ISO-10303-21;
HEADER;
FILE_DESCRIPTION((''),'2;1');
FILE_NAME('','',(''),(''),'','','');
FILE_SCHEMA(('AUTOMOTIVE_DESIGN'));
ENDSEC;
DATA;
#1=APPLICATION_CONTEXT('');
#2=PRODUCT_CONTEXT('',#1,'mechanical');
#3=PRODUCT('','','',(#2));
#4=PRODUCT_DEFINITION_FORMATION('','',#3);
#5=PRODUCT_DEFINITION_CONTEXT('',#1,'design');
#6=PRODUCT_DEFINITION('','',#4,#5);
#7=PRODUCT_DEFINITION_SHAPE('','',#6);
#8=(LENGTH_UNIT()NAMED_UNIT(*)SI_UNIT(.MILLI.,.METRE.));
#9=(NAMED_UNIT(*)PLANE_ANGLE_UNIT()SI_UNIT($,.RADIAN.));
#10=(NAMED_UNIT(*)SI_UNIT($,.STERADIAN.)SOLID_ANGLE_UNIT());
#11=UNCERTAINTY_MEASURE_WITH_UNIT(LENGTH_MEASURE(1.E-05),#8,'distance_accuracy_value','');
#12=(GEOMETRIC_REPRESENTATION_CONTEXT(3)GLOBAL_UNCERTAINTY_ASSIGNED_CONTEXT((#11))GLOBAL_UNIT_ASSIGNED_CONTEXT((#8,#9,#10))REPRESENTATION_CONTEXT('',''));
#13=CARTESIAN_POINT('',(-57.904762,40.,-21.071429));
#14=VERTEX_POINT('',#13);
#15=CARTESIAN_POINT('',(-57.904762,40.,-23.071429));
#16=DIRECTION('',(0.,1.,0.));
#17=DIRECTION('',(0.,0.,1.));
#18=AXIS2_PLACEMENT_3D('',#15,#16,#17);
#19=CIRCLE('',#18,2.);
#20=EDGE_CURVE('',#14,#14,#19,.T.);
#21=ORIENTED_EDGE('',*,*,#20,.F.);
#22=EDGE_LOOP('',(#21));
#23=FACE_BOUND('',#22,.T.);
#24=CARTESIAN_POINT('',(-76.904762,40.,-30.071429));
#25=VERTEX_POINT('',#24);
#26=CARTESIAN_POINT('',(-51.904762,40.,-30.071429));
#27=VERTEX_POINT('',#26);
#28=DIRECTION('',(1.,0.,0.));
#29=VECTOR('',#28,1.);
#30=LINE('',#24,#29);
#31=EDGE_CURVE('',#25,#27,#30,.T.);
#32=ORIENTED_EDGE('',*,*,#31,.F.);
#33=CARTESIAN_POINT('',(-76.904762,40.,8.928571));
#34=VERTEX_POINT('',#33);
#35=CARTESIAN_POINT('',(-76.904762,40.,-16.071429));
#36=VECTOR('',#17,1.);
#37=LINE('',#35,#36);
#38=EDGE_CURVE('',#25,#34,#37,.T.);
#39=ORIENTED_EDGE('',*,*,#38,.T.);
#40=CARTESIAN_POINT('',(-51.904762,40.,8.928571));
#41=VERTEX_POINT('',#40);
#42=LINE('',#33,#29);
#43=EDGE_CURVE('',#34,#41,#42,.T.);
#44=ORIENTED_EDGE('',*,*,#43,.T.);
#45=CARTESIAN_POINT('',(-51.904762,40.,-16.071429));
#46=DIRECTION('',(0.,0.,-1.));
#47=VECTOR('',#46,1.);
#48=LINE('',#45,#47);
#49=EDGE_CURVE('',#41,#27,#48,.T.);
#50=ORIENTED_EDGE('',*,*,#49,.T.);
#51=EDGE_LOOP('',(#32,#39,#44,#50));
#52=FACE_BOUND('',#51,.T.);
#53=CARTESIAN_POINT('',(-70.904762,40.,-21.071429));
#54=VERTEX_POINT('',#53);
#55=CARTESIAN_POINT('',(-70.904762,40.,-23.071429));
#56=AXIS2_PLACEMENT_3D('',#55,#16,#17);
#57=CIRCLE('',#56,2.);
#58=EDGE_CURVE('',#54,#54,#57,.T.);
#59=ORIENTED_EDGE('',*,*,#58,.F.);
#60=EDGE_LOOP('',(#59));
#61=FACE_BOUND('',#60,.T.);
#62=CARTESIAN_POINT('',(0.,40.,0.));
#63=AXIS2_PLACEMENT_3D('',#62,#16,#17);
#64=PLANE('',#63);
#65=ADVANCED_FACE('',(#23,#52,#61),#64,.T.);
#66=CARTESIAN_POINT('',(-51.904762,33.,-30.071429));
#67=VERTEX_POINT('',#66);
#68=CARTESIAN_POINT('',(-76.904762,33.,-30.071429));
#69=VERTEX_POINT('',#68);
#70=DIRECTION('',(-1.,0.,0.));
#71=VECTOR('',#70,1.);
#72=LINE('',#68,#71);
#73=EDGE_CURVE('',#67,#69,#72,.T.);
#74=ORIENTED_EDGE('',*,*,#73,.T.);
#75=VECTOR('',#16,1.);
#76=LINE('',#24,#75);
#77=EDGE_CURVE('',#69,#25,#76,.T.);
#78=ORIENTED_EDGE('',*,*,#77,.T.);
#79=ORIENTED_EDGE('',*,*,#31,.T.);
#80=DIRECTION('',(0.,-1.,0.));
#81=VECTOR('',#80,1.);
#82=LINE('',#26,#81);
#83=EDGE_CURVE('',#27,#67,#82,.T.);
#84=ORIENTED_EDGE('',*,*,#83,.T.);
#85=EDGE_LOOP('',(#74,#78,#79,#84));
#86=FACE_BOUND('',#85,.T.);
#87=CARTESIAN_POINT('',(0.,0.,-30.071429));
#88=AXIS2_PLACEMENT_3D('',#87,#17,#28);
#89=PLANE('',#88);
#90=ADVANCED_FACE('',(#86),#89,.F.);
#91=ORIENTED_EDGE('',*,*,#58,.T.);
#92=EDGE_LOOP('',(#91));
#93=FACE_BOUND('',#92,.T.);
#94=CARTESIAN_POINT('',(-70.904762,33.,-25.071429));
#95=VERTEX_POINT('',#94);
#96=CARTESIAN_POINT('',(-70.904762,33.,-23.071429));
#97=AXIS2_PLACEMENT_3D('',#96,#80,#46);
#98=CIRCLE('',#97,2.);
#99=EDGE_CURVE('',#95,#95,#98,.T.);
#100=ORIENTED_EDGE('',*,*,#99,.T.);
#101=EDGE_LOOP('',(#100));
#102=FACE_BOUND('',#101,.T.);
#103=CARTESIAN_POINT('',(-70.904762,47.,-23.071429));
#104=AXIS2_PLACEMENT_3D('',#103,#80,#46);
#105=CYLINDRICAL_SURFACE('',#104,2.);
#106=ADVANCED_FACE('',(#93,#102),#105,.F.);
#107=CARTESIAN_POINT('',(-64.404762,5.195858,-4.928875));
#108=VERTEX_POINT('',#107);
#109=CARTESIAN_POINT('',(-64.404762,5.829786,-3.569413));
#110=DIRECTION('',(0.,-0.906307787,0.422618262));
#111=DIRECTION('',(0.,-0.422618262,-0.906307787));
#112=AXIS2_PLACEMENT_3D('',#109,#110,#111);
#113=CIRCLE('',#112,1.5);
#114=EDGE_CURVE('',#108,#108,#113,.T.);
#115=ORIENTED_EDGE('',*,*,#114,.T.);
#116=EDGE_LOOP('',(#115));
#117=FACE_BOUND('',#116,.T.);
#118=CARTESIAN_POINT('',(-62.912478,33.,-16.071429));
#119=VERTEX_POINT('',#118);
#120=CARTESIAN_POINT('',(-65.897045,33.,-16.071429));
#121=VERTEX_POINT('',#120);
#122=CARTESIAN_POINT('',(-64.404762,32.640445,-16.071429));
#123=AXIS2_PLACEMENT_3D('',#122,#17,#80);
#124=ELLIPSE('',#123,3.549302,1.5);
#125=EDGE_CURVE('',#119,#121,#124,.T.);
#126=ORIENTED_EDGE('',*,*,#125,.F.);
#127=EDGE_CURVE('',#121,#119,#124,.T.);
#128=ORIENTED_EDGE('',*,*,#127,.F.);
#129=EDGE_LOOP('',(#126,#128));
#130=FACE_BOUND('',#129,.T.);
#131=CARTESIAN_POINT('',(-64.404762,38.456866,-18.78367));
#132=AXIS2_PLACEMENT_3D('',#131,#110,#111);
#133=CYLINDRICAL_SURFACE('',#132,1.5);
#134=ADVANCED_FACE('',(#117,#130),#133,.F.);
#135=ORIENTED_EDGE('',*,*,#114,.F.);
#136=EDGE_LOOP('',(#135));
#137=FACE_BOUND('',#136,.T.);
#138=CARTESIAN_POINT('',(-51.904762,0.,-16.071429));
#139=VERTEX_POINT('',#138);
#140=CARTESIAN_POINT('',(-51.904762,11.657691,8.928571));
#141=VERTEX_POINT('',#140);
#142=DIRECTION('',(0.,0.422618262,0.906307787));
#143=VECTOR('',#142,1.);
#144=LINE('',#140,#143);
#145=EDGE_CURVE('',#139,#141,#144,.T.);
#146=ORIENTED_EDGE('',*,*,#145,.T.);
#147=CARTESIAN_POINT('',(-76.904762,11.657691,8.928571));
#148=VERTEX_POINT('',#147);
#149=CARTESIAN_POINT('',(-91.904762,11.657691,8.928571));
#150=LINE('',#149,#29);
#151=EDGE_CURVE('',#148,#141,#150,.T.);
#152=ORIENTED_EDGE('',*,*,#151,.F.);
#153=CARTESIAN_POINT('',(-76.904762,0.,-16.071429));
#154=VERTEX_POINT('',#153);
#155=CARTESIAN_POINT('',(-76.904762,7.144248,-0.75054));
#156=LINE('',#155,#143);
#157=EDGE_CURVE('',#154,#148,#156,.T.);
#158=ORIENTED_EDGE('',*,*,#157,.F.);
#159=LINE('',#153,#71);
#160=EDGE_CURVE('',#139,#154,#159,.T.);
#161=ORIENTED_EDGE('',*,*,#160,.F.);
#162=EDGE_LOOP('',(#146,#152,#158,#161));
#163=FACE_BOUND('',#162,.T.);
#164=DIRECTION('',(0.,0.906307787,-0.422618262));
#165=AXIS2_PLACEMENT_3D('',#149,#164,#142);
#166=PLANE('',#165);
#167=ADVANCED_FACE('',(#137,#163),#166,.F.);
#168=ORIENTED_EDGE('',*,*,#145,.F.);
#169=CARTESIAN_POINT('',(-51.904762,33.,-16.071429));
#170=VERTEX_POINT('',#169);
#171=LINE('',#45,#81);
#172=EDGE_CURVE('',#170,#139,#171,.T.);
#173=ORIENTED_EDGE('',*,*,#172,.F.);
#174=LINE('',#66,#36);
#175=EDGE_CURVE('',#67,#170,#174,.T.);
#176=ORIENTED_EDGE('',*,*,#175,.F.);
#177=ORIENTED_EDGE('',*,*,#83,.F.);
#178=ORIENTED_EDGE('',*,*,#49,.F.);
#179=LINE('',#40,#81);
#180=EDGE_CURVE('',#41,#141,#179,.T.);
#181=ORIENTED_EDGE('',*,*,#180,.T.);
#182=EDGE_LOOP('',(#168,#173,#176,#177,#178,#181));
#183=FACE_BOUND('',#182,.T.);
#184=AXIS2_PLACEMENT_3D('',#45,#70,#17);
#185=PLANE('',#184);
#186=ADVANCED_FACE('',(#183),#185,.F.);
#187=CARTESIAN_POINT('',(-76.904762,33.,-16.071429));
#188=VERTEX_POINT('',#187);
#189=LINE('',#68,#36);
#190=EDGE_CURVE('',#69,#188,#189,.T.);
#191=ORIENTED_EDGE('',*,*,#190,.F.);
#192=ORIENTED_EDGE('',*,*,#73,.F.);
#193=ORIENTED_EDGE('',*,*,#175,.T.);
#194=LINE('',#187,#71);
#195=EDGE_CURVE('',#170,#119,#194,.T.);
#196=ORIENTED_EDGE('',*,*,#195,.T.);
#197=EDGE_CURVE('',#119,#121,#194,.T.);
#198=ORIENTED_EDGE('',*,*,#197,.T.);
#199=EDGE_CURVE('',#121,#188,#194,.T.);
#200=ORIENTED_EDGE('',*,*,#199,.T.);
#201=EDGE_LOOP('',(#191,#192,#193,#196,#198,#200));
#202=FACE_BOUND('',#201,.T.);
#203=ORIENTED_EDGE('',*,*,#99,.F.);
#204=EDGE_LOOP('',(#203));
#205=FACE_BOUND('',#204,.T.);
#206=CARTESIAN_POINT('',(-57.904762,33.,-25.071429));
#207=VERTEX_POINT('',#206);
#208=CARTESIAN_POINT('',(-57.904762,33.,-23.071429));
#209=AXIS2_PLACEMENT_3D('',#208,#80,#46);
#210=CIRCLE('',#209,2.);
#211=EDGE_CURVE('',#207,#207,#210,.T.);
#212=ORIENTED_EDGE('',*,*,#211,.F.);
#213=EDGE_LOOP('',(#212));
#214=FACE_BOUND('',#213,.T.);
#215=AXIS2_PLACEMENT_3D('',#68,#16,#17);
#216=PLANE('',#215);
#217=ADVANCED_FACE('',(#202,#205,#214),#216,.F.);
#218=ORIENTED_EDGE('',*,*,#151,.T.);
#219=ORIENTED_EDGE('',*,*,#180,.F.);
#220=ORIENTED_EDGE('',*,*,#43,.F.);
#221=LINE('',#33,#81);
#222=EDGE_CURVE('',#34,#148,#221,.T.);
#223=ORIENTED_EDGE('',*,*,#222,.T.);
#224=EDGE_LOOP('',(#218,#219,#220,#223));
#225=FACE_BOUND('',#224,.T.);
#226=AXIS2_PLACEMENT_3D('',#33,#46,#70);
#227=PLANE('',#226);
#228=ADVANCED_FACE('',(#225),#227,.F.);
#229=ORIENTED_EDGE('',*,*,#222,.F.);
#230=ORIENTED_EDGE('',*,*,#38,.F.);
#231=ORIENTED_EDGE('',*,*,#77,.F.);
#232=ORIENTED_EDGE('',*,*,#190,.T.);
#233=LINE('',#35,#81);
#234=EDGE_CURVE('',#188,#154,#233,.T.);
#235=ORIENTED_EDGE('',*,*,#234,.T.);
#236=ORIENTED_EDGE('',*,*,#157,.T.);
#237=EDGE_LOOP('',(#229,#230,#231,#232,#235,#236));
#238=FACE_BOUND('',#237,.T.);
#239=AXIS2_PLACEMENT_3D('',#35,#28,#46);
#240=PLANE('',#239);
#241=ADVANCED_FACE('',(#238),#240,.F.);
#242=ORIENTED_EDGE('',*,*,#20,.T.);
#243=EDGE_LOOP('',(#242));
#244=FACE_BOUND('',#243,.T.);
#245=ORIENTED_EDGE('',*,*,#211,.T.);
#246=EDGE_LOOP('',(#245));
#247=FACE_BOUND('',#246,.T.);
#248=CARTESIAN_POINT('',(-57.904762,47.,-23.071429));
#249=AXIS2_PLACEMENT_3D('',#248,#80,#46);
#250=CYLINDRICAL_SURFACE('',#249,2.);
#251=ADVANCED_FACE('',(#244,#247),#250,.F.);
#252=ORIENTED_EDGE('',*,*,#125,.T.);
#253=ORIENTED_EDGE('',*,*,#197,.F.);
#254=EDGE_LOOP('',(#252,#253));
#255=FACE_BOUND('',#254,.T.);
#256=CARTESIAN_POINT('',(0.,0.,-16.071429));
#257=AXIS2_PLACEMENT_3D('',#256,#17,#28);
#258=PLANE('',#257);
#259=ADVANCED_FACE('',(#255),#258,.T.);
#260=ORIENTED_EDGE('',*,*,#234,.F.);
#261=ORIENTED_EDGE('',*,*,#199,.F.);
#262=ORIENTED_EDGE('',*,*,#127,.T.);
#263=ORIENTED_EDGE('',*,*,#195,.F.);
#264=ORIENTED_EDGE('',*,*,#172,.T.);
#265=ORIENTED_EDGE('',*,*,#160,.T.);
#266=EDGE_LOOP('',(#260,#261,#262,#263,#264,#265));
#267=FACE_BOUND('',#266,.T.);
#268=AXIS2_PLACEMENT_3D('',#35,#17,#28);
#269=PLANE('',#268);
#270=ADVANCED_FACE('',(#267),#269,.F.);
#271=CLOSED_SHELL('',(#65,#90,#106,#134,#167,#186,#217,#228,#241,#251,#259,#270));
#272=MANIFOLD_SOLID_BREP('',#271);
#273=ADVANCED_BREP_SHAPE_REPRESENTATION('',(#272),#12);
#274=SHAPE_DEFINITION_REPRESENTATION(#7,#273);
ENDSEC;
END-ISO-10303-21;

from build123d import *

# Parameters (mm, degrees)
SKETCH1_W           = 25
SKETCH1_H           = 25
BOSS_EXTRUDE1_DEPTH = 40
CUT_EXTRUDE1_DEPTH  = 40
SKETCH3_R           = 1.5
CUT_EXTRUDE2_DEPTH  = 36
SKETCH4_W           = 25
SKETCH4_H           = 7
BOSS_EXTRUDE2_DEPTH = 14
SKETCH5_R           = 2
CUT_EXTRUDE3_DEPTH  = 14


with BuildPart() as part:
    # Sketch1 → Boss-Extrude1 (new body)
    with BuildSketch(Plane(origin=(0, 0, 0), x_dir=(1, 0, 0), z_dir=(0, 1, 0))):
        with Locations((-64.404761905, 3.571428571)):
            Rectangle(SKETCH1_W, SKETCH1_H)
    extrude(amount=BOSS_EXTRUDE1_DEPTH)

    # Sketch2 → Cut-Extrude1 (cut)
    with BuildSketch(Plane(origin=(-51.904761905, 0, 0), x_dir=(0, 0, -1), z_dir=(1, 0, 0))):
        Polygon((16.071428571, 0), (-8.928571429, 0), (-8.928571429, 11.657691454), align=None)
    extrude(amount=-CUT_EXTRUDE1_DEPTH, mode=Mode.SUBTRACT)

    # Sketch3 → Cut-Extrude2 (cut)
    with BuildSketch(Plane(origin=(0, 6.155714275, -2.870456708), x_dir=(1, 0, 0), z_dir=(0, -0.9063077870366528, 0.4226182617406934))):
        with Locations(Location((-64.404761905, -0.771212889, 0), (0, 0, 270))):
            Circle(SKETCH3_R)
    extrude(amount=-CUT_EXTRUDE2_DEPTH, mode=Mode.SUBTRACT)

    # Sketch4 → Boss-Extrude2 (add)
    with BuildSketch(Plane(origin=(0, 0, -16.071428571), x_dir=(-1, 0, 0), z_dir=(0, 0, -1))):
        with Locations((64.404761905, 36.5)):
            Rectangle(SKETCH4_W, SKETCH4_H)
    extrude(amount=BOSS_EXTRUDE2_DEPTH)

    # Sketch5 → Cut-Extrude3 (cut)
    with BuildSketch(Plane(origin=(0, 33, 0), x_dir=(-1, 0, 0), z_dir=(0, -1, 0))):
        with Locations(Location((70.904761905, 23.071428571, 0), (0, 0, 90))):
            Circle(SKETCH5_R)
        with Locations(Location((57.904761905, 23.071428571, 0), (0, 0, 90))):
            Circle(SKETCH5_R)
    extrude(amount=-CUT_EXTRUDE3_DEPTH, mode=Mode.SUBTRACT)


solid = part.part
